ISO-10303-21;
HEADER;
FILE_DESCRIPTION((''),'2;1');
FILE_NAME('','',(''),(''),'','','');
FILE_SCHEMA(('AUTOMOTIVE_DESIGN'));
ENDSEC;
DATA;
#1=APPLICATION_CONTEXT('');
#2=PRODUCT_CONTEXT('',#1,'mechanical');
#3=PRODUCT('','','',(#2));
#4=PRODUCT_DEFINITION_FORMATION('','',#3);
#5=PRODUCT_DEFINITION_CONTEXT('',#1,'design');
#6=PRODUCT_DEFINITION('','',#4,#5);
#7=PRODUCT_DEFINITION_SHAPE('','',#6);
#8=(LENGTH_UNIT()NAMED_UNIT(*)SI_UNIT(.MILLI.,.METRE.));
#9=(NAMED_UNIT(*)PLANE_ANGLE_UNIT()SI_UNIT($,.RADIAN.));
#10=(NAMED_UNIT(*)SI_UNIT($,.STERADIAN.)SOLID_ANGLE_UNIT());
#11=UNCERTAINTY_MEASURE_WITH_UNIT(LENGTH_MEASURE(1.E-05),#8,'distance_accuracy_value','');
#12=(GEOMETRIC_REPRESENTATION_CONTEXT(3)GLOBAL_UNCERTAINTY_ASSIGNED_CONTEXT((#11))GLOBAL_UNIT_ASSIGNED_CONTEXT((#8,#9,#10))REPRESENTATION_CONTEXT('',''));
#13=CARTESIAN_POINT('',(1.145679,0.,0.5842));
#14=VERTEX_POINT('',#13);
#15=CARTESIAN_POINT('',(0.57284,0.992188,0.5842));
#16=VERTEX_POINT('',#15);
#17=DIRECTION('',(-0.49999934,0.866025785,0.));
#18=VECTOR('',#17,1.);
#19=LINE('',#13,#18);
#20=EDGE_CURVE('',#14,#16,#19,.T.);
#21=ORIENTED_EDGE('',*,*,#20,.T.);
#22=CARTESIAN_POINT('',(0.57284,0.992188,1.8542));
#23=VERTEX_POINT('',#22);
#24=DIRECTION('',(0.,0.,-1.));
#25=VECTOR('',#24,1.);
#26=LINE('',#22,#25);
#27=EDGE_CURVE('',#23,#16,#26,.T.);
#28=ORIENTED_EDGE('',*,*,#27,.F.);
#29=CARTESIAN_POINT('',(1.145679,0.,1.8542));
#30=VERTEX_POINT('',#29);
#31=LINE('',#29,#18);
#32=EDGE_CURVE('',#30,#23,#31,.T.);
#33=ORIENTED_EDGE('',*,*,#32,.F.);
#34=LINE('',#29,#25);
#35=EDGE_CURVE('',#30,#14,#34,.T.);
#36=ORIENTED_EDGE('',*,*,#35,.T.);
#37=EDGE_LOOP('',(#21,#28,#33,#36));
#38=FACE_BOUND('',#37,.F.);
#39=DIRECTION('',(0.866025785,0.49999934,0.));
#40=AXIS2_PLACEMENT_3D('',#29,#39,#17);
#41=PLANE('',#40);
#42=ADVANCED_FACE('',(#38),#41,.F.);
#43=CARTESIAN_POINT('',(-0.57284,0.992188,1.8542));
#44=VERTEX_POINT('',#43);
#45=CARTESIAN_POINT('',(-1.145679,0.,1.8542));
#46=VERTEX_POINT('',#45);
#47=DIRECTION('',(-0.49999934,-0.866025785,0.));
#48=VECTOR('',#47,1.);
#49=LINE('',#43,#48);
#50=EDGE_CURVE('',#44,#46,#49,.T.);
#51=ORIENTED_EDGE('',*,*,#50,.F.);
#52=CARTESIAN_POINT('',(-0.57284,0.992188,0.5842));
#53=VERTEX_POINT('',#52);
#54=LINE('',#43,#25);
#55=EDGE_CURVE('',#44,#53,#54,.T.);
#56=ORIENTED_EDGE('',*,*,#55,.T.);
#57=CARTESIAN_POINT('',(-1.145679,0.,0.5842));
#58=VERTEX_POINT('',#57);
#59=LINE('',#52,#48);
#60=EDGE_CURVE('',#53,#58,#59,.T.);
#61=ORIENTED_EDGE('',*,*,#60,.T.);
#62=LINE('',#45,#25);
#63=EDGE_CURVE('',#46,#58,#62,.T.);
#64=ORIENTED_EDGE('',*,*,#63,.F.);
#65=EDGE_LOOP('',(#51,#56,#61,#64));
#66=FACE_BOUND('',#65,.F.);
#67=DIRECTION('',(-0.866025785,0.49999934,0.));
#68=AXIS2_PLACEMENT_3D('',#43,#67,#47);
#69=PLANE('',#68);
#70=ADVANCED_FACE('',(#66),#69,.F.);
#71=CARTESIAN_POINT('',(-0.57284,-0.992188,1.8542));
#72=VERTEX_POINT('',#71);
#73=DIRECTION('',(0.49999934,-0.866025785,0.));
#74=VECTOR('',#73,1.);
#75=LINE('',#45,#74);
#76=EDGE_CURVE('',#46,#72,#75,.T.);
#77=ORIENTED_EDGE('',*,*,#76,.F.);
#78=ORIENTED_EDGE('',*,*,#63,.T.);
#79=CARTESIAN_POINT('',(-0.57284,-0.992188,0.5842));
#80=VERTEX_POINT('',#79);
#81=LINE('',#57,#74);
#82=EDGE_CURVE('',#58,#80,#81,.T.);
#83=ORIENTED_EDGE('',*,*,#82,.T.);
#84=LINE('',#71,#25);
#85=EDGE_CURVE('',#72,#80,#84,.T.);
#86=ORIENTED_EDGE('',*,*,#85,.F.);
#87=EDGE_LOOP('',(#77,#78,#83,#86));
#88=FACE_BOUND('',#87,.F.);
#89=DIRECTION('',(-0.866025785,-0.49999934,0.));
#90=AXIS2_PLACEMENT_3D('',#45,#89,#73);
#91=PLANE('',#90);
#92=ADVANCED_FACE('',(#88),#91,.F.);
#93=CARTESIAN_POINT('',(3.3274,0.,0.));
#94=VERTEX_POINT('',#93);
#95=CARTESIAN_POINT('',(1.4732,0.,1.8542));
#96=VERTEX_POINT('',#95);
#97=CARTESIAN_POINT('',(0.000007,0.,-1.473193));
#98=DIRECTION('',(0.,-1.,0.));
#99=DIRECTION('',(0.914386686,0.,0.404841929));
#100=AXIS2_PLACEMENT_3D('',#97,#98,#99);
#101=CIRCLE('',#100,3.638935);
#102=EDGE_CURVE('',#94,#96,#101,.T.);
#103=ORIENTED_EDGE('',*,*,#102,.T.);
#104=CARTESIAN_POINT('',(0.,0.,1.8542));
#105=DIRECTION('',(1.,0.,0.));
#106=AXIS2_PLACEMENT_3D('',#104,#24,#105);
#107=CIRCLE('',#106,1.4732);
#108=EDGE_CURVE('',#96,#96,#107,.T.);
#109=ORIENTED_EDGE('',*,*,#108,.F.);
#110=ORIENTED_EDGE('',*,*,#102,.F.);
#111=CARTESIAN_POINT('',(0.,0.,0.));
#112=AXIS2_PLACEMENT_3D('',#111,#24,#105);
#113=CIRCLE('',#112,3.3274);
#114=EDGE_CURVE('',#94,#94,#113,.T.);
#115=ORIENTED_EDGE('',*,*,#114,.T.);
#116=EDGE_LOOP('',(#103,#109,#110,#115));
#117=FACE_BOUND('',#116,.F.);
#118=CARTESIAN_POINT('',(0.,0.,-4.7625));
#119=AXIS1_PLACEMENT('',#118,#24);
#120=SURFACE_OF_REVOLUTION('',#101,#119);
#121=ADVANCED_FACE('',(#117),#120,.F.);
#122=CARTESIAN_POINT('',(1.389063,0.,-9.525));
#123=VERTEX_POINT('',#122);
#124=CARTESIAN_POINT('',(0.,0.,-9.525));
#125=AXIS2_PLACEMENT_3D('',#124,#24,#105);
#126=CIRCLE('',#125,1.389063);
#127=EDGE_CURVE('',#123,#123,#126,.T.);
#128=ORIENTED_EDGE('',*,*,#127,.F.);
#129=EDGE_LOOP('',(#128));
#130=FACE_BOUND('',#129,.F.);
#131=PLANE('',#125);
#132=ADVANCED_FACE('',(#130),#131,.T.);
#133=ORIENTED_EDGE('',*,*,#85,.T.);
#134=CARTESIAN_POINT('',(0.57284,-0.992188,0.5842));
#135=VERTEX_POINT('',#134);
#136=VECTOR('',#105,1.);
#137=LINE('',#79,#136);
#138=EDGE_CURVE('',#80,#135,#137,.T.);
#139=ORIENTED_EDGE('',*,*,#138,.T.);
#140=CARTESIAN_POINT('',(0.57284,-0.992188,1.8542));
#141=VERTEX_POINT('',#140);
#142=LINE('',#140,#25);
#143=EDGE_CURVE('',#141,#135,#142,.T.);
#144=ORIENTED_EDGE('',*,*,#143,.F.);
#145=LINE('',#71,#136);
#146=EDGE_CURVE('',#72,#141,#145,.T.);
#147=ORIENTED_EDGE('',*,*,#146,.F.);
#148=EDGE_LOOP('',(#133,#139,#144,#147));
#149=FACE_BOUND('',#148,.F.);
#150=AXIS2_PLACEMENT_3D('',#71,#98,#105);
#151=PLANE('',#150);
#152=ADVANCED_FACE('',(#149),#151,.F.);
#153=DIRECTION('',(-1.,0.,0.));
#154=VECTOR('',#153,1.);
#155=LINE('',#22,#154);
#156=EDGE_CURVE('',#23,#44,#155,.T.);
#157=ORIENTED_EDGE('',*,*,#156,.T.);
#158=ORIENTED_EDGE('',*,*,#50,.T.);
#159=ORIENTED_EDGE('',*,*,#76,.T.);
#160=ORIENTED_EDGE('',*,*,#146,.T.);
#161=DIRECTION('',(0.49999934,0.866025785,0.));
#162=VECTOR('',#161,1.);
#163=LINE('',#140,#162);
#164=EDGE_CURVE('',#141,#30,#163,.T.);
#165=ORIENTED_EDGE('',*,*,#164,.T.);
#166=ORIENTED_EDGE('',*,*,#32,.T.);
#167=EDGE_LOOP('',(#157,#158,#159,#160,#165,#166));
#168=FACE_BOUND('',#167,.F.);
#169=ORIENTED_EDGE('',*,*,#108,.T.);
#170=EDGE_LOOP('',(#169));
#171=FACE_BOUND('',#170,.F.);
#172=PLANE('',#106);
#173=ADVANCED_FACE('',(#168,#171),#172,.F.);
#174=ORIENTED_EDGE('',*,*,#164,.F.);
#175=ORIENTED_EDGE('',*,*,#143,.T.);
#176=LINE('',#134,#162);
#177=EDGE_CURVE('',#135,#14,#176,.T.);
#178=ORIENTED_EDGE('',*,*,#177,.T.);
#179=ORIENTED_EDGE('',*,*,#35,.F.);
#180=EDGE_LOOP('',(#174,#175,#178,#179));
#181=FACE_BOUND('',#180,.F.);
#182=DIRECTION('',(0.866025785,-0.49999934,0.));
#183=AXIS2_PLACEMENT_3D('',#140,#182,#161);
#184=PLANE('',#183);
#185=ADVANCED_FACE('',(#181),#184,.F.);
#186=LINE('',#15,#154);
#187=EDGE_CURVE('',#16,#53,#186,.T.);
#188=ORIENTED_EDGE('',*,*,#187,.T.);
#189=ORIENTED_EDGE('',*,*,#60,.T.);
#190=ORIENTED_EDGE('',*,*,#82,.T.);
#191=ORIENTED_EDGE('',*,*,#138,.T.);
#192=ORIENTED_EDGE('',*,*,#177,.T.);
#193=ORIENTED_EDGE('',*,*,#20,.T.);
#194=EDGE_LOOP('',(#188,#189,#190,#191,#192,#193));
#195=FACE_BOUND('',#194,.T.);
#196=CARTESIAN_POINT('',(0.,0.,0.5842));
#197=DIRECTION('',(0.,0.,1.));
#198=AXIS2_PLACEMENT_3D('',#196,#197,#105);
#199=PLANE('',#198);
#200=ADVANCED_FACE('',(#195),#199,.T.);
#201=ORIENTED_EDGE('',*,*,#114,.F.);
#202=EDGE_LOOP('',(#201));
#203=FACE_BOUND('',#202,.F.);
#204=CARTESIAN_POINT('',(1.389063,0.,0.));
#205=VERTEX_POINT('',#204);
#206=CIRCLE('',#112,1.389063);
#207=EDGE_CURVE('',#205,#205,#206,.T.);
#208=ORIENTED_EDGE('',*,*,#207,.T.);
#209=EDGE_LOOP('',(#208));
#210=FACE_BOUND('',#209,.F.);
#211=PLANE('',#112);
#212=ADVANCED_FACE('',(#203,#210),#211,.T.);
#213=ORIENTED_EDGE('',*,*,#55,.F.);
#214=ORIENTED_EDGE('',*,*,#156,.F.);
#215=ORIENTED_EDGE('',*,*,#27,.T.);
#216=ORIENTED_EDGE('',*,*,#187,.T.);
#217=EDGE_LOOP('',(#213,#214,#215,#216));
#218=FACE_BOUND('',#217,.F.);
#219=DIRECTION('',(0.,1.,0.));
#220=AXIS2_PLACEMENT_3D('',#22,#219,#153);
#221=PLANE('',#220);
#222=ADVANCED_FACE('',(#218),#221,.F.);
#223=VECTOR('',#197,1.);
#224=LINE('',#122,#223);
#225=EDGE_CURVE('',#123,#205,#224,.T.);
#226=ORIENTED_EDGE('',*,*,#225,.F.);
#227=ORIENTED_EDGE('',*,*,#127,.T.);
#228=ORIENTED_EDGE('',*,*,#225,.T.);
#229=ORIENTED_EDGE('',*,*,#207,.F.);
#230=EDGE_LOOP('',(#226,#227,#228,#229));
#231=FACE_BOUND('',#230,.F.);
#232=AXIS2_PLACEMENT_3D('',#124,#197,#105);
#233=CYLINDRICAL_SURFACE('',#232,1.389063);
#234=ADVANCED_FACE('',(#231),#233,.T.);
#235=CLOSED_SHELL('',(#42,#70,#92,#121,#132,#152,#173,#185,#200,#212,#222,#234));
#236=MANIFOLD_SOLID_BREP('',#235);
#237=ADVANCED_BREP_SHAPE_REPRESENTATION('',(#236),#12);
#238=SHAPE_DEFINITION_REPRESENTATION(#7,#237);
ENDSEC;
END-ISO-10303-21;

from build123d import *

# Parameters (mm, degrees)
F3_DEPTH = 1.27


with BuildPart() as f1:
    # F0 (on Front) → F1 (revolve)
    with BuildSketch(Plane.XZ):
        with BuildLine():
            Line((1.389063, -9.525), (1.389063, 0))
            Line((1.389063, 0), (3.3274, 0))
            ThreePointArc((3.3274, 0), (2.573122, 1.099922), (1.4732, 1.8542))
            Line((1.4732, 1.8542), (0, 1.8542))
            Line((0, 1.8542), (0, 0))
            Line((0, 0), (0, -9.525))
            Line((0, -9.525), (1.389063, -9.525))
        make_face()
    revolve(axis=Axis((0, 0, -4.7625), (0, 0, -1)))

    # F2 (on face) → F3 (cut)
    with BuildSketch(Plane.XY.offset(1.8542)):
        Polygon((0.57284, 0.992188), (-0.57284, 0.992188), (-1.145679, 0), (-0.57284, -0.992188), (0.57284, -0.992188), (1.145679, 0), align=None)
    extrude(amount=-F3_DEPTH, mode=Mode.SUBTRACT)


solid = f1.part
